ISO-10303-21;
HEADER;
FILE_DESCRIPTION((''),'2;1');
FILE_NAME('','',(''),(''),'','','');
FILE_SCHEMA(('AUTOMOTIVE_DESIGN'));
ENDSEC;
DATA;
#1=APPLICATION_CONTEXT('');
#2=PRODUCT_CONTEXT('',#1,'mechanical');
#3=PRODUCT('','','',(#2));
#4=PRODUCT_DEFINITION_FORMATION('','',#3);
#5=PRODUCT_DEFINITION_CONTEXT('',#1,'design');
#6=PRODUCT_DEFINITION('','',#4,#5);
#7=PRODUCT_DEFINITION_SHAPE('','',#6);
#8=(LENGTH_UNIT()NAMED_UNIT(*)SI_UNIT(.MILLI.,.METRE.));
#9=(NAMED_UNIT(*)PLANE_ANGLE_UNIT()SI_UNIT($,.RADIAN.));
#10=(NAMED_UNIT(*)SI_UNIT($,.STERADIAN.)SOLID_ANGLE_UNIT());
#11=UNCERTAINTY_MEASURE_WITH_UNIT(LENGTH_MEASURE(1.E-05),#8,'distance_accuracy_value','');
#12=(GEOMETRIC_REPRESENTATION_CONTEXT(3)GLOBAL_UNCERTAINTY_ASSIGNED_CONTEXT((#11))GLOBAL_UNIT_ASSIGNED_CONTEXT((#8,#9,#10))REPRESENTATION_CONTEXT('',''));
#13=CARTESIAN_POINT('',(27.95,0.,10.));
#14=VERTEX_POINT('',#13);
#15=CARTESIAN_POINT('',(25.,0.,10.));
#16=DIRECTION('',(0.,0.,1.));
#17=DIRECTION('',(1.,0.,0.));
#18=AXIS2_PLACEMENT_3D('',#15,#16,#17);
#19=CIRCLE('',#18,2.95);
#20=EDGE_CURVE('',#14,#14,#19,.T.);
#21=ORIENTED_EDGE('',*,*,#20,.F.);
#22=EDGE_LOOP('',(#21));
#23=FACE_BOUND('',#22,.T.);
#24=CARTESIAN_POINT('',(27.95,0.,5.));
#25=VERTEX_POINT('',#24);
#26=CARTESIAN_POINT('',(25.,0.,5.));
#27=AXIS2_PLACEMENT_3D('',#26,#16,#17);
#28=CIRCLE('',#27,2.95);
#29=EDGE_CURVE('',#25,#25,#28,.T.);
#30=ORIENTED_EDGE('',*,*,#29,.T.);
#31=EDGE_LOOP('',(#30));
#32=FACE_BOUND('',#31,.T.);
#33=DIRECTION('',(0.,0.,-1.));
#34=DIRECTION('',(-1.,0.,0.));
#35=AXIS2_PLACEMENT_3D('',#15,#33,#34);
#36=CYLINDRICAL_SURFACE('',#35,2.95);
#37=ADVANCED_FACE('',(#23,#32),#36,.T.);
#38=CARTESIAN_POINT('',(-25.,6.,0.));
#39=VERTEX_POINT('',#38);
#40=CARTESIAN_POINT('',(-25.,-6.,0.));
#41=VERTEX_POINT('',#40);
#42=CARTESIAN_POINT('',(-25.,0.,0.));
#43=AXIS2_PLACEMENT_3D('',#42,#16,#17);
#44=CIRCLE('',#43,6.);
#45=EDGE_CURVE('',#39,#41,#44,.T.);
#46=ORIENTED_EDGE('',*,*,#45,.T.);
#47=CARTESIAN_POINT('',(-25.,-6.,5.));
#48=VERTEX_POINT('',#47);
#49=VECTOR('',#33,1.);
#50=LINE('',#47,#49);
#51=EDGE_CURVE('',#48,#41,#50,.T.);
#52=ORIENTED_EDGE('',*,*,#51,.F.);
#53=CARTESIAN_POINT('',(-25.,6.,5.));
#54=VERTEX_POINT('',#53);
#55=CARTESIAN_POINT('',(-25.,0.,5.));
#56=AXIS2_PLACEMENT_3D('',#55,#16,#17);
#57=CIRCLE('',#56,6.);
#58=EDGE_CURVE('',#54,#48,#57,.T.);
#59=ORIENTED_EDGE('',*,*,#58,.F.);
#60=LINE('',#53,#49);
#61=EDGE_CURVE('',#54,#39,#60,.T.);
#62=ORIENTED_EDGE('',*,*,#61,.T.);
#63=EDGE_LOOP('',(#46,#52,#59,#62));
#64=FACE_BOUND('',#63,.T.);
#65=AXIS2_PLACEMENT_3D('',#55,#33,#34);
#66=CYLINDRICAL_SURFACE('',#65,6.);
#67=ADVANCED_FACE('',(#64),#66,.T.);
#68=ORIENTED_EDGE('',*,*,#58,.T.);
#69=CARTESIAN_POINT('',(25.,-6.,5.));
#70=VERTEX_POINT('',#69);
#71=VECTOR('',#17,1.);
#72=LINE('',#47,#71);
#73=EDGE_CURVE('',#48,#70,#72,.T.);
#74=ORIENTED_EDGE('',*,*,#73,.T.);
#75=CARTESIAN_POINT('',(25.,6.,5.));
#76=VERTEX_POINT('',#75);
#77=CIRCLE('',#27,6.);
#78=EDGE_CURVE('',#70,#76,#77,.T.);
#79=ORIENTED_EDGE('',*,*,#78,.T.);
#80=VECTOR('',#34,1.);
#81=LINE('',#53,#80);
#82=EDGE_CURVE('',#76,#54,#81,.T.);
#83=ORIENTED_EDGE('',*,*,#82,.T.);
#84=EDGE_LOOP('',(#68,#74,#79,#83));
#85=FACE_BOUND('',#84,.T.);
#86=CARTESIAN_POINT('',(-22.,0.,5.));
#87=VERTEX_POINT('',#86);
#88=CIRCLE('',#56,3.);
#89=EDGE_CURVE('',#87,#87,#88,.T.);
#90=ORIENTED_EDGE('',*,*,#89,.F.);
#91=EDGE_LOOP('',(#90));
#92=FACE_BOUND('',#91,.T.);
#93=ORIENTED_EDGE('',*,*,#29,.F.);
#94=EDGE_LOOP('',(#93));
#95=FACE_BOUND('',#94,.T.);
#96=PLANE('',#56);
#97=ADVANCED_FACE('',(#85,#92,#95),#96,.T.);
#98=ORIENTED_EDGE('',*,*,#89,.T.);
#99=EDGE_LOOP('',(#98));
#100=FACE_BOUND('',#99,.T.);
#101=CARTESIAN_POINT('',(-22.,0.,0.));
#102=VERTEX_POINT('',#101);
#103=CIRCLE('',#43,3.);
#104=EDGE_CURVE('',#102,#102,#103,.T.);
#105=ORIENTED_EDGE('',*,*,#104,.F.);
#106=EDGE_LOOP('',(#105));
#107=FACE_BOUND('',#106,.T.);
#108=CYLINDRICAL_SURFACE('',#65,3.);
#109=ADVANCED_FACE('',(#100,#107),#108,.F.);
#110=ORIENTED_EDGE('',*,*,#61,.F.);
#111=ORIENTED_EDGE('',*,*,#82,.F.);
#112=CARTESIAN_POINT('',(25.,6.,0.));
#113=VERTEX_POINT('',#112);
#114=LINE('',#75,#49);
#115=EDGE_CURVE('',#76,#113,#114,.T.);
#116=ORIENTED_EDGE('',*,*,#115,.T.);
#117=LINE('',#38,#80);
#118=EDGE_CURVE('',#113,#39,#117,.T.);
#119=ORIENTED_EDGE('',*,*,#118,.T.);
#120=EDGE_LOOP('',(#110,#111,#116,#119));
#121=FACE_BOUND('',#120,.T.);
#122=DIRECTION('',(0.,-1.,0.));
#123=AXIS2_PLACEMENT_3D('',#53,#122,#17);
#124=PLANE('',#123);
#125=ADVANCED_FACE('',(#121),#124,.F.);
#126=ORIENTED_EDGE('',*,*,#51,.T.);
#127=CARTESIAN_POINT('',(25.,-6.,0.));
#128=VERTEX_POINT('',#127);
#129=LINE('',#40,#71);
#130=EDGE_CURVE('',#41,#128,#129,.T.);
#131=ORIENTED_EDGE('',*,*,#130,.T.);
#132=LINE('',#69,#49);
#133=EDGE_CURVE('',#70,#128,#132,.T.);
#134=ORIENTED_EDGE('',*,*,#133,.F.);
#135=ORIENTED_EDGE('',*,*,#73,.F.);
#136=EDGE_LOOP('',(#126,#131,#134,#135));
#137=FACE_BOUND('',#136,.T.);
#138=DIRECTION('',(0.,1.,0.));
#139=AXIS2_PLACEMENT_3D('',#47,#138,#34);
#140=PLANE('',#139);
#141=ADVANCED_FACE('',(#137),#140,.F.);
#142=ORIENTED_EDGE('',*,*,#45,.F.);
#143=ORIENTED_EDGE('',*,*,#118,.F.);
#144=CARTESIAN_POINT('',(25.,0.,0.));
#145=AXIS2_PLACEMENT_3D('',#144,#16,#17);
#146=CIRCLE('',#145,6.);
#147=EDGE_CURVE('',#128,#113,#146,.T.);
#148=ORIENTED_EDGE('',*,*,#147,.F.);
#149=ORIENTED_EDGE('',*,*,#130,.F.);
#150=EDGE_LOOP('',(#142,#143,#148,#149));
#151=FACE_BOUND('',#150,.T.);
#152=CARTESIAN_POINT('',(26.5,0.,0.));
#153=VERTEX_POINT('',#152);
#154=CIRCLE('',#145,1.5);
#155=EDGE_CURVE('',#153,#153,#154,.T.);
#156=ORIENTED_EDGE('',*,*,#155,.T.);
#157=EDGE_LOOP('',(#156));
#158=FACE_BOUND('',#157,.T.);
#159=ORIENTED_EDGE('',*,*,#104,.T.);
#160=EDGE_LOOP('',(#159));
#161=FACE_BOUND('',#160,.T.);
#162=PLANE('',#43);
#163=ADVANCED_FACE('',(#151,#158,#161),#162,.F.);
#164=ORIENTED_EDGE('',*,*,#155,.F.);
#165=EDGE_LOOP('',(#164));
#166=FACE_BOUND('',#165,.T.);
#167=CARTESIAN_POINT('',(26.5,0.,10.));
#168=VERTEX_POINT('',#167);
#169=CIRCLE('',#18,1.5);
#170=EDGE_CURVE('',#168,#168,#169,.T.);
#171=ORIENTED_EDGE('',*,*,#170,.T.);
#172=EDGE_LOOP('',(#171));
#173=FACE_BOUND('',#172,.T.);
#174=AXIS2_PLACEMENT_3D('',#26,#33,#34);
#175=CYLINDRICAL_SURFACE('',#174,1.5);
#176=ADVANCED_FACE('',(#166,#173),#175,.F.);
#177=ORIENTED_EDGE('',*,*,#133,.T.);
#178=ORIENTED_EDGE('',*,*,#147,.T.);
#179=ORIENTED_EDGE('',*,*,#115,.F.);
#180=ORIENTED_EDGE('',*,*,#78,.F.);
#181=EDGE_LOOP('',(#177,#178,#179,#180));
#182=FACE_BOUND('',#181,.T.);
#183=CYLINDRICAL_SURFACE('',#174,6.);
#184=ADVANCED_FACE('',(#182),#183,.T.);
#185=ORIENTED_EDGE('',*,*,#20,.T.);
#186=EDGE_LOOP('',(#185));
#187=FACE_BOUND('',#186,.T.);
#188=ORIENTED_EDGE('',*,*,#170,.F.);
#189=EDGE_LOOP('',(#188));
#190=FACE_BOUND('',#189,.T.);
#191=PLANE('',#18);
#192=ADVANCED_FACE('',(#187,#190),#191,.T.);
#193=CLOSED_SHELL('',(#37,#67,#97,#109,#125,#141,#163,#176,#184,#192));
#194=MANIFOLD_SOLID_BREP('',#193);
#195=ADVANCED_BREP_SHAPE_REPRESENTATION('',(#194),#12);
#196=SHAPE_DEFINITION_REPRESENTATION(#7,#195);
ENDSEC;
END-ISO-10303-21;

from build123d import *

# Parameters (mm, degrees)
SKETCH1_R           = 1.5
SKETCH1_R_2         = 3
BOSS_EXTRUDE1_DEPTH = 5
SKETCH2_R           = 2.95
SKETCH2_R_2         = 1.5
BOSS_EXTRUDE2_DEPTH = 5


with BuildPart() as part:
    # Sketch1 → Boss-Extrude1 (new body)
    with BuildSketch(Plane.XY):
        with BuildLine():
            Line((-25, 6), (25, 6))
            ThreePointArc((25, 6), (31, 0), (25, -6))
            Line((25, -6), (-25, -6))
            ThreePointArc((-25, -6), (-31, 0), (-25, 6))
        make_face()
        with Locations((25, 0)):
            Circle(SKETCH1_R, mode=Mode.SUBTRACT)
        with Locations((-25, 0)):
            Circle(SKETCH1_R_2, mode=Mode.SUBTRACT)
    extrude(amount=BOSS_EXTRUDE1_DEPTH)

    # Sketch2 → Boss-Extrude2 (add)
    with BuildSketch(Plane.XY.offset(5)):
        with Locations((25, 0)):
            Circle(SKETCH2_R)
        with Locations((25, 0)):
            Circle(SKETCH2_R_2, mode=Mode.SUBTRACT)
    extrude(amount=BOSS_EXTRUDE2_DEPTH)


solid = part.part
